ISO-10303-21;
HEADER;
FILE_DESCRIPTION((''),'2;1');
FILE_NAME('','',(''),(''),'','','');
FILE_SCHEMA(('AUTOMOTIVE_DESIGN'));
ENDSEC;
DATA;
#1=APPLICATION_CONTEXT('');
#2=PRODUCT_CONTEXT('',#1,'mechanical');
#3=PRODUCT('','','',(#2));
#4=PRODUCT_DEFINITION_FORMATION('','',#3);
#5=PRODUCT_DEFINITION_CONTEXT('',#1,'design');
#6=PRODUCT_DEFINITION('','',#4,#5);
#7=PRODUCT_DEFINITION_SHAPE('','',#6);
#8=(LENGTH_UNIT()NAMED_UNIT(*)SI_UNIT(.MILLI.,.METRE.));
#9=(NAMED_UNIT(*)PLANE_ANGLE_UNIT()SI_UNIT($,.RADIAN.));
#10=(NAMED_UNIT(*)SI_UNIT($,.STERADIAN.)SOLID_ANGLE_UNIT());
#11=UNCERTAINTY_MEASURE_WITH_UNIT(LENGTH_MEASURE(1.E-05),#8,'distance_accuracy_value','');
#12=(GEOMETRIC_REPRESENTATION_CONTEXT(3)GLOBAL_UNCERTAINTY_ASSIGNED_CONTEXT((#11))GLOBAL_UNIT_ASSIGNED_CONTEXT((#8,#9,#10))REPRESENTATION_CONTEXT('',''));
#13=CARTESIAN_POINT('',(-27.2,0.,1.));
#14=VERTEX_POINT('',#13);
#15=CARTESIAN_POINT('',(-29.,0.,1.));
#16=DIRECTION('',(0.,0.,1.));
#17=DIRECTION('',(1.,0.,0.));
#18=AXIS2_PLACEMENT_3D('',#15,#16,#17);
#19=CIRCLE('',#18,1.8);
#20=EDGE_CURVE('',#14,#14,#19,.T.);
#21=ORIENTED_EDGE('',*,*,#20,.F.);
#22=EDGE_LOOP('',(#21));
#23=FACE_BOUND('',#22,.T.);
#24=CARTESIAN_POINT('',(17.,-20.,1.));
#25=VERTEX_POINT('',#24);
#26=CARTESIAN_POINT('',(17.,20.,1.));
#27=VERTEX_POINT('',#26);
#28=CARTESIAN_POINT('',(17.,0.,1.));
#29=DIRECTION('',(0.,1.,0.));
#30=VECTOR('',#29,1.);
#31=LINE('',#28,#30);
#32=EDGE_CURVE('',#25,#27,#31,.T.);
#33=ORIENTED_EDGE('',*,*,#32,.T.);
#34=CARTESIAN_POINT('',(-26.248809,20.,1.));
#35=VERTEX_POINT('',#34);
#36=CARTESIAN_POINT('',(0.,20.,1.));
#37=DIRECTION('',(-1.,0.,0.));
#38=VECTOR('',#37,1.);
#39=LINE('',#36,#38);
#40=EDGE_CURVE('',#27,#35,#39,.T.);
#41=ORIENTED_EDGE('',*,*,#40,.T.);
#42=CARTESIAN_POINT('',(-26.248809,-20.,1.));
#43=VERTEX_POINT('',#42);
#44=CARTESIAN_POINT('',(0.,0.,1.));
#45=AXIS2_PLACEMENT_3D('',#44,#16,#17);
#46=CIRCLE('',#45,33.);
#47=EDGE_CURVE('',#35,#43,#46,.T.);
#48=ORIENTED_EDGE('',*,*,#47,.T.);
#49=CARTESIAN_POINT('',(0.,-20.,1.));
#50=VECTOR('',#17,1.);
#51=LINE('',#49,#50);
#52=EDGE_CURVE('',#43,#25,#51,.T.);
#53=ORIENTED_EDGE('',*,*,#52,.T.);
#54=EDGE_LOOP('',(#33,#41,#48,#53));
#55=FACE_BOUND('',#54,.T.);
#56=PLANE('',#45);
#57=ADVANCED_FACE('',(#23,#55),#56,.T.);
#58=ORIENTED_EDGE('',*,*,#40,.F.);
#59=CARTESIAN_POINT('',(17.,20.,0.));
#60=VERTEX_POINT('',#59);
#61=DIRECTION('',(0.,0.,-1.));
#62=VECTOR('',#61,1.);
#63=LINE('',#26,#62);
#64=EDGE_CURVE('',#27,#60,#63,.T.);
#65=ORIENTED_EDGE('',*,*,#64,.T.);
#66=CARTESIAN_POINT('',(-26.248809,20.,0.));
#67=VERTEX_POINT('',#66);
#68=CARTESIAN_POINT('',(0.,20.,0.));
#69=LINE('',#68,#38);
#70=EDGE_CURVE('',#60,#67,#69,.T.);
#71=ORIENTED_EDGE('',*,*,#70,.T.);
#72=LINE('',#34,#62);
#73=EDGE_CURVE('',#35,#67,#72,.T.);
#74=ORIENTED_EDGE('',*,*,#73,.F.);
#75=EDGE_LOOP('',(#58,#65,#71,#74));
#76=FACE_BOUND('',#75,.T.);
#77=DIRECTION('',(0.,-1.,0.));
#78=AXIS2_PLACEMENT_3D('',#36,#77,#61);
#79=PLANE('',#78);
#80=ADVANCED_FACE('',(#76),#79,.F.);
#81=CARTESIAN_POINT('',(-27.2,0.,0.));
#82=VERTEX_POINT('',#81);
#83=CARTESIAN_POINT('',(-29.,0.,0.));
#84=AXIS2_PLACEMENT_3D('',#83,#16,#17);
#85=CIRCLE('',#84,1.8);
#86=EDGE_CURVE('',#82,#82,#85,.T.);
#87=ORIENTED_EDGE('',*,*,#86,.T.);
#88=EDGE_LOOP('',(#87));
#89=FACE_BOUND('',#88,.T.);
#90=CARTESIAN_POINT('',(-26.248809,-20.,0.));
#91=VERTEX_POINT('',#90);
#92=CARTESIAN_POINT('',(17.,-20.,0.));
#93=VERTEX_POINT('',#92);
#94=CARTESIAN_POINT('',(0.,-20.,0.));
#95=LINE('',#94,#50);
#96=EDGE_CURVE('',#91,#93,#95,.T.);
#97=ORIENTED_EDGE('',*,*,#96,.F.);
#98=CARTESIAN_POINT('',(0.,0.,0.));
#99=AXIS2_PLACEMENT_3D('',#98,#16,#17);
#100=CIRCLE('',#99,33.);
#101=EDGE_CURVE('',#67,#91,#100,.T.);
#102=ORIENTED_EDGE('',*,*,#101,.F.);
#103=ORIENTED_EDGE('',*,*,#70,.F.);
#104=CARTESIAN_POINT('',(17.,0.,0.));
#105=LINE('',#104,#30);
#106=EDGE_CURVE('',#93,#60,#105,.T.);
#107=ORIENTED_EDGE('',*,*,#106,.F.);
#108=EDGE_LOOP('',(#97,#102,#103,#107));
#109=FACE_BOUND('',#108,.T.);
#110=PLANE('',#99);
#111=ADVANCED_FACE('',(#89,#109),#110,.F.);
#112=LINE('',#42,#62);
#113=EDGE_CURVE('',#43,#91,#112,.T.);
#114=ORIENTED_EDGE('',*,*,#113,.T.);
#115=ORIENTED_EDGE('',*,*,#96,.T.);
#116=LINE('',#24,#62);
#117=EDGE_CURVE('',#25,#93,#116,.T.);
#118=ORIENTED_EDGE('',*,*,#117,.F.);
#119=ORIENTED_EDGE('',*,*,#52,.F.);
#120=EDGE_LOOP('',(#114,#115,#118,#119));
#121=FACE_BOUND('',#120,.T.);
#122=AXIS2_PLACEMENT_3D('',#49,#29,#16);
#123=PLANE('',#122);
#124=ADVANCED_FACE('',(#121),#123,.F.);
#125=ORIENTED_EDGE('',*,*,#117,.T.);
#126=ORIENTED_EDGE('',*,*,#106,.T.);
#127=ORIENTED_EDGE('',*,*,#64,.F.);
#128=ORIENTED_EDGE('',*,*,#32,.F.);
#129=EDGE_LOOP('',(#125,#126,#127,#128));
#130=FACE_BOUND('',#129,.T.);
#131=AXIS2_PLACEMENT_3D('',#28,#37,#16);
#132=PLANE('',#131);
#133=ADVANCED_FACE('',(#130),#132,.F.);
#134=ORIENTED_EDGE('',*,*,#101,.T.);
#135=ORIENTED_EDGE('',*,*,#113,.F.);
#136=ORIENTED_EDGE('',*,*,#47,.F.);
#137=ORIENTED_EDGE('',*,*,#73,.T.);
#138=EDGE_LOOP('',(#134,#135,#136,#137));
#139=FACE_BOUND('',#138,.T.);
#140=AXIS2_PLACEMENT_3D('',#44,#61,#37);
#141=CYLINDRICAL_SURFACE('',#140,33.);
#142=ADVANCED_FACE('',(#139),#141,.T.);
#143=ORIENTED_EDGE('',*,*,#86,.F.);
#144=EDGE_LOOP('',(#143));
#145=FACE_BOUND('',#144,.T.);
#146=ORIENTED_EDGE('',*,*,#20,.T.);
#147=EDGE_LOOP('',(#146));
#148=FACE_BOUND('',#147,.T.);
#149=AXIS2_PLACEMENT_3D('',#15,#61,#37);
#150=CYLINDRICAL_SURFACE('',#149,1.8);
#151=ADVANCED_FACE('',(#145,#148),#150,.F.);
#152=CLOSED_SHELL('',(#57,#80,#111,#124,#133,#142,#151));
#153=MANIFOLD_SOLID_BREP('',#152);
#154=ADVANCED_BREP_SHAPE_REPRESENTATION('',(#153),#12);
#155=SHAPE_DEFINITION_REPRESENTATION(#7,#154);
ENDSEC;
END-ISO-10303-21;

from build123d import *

# Parameters (mm, degrees)
CROQUIS1_R              = 1.8
SALIENTE_EXTRUIR1_DEPTH = 1


with BuildPart() as part:
    # Croquis1 → Saliente-Extruir1 (new body)
    with BuildSketch(Plane.XY):
        with BuildLine():
            ThreePointArc((-26.248809497, 20), (-33, 0), (-26.248809497, -20))
            Line((-26.248809497, -20), (17, -20))
            Line((17, -20), (17, 20))
            Line((17, 20), (-26.248809497, 20))
        make_face()
        with Locations((-29, 0)):
            Circle(CROQUIS1_R, mode=Mode.SUBTRACT)
    extrude(amount=SALIENTE_EXTRUIR1_DEPTH)


solid = part.part
